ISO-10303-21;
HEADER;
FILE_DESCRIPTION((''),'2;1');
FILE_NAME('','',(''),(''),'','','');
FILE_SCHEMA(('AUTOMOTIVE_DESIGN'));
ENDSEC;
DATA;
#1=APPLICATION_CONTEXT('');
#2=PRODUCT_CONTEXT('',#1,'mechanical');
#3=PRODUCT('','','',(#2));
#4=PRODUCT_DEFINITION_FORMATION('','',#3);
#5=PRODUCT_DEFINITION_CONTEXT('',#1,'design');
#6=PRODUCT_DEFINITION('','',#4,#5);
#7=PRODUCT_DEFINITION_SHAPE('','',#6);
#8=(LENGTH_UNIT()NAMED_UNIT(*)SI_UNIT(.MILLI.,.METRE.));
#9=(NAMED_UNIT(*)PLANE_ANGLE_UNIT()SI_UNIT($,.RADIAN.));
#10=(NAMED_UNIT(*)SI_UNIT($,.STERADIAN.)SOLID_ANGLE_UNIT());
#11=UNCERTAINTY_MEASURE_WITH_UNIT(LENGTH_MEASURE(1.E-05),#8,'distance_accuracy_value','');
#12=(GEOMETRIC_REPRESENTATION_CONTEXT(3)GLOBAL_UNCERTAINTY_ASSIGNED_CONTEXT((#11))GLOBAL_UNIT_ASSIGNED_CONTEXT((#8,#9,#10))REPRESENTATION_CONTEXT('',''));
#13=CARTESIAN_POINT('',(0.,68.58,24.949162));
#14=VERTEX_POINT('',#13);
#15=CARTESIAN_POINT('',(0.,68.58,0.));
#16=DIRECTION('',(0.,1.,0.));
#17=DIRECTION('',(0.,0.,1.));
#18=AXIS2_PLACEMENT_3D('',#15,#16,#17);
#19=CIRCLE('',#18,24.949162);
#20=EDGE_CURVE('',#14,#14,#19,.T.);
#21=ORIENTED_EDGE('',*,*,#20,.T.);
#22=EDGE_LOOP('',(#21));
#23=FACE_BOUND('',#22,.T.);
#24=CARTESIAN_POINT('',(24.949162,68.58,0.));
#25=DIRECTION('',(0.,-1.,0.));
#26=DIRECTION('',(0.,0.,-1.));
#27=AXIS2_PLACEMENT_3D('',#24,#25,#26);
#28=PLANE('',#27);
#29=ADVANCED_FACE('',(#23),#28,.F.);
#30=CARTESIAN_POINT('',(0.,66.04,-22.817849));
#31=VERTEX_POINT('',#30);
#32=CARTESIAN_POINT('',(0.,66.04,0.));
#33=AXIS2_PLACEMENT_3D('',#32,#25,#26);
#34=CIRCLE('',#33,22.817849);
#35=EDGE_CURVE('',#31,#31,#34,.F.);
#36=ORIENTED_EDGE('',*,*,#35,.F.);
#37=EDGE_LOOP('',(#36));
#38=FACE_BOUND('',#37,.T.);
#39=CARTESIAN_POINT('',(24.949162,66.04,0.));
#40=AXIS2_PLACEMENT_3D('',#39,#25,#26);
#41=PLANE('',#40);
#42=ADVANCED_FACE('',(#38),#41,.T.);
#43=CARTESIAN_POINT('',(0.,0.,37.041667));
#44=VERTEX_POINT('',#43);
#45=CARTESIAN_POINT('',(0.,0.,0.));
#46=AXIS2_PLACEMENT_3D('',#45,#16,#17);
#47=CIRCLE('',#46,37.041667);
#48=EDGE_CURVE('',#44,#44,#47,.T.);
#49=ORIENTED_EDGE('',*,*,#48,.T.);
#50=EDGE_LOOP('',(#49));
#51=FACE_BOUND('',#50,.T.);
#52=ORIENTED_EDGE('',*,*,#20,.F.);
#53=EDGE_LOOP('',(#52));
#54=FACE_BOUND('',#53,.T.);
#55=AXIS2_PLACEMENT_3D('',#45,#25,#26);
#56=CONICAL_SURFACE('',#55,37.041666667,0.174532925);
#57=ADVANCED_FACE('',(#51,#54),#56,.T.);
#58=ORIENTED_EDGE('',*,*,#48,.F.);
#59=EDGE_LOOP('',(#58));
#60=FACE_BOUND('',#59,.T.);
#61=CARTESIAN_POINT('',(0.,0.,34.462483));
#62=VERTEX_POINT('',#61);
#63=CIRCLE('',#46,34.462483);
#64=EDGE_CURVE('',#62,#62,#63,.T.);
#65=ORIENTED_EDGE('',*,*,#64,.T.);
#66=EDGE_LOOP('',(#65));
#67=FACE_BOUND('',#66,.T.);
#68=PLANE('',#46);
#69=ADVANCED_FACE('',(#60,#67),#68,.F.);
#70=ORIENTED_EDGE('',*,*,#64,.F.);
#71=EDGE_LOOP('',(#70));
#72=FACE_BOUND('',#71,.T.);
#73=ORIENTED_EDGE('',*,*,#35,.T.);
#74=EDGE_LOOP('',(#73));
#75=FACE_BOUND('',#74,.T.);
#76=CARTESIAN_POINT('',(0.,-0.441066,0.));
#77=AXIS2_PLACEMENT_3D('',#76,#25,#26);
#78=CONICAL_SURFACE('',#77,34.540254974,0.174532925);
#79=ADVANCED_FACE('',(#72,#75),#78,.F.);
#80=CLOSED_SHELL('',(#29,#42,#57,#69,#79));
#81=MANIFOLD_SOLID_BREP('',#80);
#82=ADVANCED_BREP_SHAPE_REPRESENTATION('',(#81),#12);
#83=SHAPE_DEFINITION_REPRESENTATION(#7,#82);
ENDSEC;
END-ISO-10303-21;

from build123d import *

# Parameters (mm, degrees)
SHELL1_T = -2.54


with BuildPart() as part:
    # Sketch1 → Revolve1 (revolve)
    with BuildSketch(Plane.XY, mode=Mode.PRIVATE) as revolve1_sk:
        Polygon((0, 0), (37.041666667, 0), (24.94916233, 68.58), (0, 68.58), align=None)
    revolve(revolve1_sk.sketch.rotate(Axis((0, 68.58, 0), (0, -1, 0)), 90), axis=Axis((0, 68.58, 0), (0, -1, 0)))

    # Shell1
    shell1_openings = [part.faces().sort_by_distance(p)[0] for p in [
        (0, 0, 0),
    ]]
    offset(amount=SHELL1_T, openings=shell1_openings, kind=Kind.INTERSECTION)


solid = part.part
